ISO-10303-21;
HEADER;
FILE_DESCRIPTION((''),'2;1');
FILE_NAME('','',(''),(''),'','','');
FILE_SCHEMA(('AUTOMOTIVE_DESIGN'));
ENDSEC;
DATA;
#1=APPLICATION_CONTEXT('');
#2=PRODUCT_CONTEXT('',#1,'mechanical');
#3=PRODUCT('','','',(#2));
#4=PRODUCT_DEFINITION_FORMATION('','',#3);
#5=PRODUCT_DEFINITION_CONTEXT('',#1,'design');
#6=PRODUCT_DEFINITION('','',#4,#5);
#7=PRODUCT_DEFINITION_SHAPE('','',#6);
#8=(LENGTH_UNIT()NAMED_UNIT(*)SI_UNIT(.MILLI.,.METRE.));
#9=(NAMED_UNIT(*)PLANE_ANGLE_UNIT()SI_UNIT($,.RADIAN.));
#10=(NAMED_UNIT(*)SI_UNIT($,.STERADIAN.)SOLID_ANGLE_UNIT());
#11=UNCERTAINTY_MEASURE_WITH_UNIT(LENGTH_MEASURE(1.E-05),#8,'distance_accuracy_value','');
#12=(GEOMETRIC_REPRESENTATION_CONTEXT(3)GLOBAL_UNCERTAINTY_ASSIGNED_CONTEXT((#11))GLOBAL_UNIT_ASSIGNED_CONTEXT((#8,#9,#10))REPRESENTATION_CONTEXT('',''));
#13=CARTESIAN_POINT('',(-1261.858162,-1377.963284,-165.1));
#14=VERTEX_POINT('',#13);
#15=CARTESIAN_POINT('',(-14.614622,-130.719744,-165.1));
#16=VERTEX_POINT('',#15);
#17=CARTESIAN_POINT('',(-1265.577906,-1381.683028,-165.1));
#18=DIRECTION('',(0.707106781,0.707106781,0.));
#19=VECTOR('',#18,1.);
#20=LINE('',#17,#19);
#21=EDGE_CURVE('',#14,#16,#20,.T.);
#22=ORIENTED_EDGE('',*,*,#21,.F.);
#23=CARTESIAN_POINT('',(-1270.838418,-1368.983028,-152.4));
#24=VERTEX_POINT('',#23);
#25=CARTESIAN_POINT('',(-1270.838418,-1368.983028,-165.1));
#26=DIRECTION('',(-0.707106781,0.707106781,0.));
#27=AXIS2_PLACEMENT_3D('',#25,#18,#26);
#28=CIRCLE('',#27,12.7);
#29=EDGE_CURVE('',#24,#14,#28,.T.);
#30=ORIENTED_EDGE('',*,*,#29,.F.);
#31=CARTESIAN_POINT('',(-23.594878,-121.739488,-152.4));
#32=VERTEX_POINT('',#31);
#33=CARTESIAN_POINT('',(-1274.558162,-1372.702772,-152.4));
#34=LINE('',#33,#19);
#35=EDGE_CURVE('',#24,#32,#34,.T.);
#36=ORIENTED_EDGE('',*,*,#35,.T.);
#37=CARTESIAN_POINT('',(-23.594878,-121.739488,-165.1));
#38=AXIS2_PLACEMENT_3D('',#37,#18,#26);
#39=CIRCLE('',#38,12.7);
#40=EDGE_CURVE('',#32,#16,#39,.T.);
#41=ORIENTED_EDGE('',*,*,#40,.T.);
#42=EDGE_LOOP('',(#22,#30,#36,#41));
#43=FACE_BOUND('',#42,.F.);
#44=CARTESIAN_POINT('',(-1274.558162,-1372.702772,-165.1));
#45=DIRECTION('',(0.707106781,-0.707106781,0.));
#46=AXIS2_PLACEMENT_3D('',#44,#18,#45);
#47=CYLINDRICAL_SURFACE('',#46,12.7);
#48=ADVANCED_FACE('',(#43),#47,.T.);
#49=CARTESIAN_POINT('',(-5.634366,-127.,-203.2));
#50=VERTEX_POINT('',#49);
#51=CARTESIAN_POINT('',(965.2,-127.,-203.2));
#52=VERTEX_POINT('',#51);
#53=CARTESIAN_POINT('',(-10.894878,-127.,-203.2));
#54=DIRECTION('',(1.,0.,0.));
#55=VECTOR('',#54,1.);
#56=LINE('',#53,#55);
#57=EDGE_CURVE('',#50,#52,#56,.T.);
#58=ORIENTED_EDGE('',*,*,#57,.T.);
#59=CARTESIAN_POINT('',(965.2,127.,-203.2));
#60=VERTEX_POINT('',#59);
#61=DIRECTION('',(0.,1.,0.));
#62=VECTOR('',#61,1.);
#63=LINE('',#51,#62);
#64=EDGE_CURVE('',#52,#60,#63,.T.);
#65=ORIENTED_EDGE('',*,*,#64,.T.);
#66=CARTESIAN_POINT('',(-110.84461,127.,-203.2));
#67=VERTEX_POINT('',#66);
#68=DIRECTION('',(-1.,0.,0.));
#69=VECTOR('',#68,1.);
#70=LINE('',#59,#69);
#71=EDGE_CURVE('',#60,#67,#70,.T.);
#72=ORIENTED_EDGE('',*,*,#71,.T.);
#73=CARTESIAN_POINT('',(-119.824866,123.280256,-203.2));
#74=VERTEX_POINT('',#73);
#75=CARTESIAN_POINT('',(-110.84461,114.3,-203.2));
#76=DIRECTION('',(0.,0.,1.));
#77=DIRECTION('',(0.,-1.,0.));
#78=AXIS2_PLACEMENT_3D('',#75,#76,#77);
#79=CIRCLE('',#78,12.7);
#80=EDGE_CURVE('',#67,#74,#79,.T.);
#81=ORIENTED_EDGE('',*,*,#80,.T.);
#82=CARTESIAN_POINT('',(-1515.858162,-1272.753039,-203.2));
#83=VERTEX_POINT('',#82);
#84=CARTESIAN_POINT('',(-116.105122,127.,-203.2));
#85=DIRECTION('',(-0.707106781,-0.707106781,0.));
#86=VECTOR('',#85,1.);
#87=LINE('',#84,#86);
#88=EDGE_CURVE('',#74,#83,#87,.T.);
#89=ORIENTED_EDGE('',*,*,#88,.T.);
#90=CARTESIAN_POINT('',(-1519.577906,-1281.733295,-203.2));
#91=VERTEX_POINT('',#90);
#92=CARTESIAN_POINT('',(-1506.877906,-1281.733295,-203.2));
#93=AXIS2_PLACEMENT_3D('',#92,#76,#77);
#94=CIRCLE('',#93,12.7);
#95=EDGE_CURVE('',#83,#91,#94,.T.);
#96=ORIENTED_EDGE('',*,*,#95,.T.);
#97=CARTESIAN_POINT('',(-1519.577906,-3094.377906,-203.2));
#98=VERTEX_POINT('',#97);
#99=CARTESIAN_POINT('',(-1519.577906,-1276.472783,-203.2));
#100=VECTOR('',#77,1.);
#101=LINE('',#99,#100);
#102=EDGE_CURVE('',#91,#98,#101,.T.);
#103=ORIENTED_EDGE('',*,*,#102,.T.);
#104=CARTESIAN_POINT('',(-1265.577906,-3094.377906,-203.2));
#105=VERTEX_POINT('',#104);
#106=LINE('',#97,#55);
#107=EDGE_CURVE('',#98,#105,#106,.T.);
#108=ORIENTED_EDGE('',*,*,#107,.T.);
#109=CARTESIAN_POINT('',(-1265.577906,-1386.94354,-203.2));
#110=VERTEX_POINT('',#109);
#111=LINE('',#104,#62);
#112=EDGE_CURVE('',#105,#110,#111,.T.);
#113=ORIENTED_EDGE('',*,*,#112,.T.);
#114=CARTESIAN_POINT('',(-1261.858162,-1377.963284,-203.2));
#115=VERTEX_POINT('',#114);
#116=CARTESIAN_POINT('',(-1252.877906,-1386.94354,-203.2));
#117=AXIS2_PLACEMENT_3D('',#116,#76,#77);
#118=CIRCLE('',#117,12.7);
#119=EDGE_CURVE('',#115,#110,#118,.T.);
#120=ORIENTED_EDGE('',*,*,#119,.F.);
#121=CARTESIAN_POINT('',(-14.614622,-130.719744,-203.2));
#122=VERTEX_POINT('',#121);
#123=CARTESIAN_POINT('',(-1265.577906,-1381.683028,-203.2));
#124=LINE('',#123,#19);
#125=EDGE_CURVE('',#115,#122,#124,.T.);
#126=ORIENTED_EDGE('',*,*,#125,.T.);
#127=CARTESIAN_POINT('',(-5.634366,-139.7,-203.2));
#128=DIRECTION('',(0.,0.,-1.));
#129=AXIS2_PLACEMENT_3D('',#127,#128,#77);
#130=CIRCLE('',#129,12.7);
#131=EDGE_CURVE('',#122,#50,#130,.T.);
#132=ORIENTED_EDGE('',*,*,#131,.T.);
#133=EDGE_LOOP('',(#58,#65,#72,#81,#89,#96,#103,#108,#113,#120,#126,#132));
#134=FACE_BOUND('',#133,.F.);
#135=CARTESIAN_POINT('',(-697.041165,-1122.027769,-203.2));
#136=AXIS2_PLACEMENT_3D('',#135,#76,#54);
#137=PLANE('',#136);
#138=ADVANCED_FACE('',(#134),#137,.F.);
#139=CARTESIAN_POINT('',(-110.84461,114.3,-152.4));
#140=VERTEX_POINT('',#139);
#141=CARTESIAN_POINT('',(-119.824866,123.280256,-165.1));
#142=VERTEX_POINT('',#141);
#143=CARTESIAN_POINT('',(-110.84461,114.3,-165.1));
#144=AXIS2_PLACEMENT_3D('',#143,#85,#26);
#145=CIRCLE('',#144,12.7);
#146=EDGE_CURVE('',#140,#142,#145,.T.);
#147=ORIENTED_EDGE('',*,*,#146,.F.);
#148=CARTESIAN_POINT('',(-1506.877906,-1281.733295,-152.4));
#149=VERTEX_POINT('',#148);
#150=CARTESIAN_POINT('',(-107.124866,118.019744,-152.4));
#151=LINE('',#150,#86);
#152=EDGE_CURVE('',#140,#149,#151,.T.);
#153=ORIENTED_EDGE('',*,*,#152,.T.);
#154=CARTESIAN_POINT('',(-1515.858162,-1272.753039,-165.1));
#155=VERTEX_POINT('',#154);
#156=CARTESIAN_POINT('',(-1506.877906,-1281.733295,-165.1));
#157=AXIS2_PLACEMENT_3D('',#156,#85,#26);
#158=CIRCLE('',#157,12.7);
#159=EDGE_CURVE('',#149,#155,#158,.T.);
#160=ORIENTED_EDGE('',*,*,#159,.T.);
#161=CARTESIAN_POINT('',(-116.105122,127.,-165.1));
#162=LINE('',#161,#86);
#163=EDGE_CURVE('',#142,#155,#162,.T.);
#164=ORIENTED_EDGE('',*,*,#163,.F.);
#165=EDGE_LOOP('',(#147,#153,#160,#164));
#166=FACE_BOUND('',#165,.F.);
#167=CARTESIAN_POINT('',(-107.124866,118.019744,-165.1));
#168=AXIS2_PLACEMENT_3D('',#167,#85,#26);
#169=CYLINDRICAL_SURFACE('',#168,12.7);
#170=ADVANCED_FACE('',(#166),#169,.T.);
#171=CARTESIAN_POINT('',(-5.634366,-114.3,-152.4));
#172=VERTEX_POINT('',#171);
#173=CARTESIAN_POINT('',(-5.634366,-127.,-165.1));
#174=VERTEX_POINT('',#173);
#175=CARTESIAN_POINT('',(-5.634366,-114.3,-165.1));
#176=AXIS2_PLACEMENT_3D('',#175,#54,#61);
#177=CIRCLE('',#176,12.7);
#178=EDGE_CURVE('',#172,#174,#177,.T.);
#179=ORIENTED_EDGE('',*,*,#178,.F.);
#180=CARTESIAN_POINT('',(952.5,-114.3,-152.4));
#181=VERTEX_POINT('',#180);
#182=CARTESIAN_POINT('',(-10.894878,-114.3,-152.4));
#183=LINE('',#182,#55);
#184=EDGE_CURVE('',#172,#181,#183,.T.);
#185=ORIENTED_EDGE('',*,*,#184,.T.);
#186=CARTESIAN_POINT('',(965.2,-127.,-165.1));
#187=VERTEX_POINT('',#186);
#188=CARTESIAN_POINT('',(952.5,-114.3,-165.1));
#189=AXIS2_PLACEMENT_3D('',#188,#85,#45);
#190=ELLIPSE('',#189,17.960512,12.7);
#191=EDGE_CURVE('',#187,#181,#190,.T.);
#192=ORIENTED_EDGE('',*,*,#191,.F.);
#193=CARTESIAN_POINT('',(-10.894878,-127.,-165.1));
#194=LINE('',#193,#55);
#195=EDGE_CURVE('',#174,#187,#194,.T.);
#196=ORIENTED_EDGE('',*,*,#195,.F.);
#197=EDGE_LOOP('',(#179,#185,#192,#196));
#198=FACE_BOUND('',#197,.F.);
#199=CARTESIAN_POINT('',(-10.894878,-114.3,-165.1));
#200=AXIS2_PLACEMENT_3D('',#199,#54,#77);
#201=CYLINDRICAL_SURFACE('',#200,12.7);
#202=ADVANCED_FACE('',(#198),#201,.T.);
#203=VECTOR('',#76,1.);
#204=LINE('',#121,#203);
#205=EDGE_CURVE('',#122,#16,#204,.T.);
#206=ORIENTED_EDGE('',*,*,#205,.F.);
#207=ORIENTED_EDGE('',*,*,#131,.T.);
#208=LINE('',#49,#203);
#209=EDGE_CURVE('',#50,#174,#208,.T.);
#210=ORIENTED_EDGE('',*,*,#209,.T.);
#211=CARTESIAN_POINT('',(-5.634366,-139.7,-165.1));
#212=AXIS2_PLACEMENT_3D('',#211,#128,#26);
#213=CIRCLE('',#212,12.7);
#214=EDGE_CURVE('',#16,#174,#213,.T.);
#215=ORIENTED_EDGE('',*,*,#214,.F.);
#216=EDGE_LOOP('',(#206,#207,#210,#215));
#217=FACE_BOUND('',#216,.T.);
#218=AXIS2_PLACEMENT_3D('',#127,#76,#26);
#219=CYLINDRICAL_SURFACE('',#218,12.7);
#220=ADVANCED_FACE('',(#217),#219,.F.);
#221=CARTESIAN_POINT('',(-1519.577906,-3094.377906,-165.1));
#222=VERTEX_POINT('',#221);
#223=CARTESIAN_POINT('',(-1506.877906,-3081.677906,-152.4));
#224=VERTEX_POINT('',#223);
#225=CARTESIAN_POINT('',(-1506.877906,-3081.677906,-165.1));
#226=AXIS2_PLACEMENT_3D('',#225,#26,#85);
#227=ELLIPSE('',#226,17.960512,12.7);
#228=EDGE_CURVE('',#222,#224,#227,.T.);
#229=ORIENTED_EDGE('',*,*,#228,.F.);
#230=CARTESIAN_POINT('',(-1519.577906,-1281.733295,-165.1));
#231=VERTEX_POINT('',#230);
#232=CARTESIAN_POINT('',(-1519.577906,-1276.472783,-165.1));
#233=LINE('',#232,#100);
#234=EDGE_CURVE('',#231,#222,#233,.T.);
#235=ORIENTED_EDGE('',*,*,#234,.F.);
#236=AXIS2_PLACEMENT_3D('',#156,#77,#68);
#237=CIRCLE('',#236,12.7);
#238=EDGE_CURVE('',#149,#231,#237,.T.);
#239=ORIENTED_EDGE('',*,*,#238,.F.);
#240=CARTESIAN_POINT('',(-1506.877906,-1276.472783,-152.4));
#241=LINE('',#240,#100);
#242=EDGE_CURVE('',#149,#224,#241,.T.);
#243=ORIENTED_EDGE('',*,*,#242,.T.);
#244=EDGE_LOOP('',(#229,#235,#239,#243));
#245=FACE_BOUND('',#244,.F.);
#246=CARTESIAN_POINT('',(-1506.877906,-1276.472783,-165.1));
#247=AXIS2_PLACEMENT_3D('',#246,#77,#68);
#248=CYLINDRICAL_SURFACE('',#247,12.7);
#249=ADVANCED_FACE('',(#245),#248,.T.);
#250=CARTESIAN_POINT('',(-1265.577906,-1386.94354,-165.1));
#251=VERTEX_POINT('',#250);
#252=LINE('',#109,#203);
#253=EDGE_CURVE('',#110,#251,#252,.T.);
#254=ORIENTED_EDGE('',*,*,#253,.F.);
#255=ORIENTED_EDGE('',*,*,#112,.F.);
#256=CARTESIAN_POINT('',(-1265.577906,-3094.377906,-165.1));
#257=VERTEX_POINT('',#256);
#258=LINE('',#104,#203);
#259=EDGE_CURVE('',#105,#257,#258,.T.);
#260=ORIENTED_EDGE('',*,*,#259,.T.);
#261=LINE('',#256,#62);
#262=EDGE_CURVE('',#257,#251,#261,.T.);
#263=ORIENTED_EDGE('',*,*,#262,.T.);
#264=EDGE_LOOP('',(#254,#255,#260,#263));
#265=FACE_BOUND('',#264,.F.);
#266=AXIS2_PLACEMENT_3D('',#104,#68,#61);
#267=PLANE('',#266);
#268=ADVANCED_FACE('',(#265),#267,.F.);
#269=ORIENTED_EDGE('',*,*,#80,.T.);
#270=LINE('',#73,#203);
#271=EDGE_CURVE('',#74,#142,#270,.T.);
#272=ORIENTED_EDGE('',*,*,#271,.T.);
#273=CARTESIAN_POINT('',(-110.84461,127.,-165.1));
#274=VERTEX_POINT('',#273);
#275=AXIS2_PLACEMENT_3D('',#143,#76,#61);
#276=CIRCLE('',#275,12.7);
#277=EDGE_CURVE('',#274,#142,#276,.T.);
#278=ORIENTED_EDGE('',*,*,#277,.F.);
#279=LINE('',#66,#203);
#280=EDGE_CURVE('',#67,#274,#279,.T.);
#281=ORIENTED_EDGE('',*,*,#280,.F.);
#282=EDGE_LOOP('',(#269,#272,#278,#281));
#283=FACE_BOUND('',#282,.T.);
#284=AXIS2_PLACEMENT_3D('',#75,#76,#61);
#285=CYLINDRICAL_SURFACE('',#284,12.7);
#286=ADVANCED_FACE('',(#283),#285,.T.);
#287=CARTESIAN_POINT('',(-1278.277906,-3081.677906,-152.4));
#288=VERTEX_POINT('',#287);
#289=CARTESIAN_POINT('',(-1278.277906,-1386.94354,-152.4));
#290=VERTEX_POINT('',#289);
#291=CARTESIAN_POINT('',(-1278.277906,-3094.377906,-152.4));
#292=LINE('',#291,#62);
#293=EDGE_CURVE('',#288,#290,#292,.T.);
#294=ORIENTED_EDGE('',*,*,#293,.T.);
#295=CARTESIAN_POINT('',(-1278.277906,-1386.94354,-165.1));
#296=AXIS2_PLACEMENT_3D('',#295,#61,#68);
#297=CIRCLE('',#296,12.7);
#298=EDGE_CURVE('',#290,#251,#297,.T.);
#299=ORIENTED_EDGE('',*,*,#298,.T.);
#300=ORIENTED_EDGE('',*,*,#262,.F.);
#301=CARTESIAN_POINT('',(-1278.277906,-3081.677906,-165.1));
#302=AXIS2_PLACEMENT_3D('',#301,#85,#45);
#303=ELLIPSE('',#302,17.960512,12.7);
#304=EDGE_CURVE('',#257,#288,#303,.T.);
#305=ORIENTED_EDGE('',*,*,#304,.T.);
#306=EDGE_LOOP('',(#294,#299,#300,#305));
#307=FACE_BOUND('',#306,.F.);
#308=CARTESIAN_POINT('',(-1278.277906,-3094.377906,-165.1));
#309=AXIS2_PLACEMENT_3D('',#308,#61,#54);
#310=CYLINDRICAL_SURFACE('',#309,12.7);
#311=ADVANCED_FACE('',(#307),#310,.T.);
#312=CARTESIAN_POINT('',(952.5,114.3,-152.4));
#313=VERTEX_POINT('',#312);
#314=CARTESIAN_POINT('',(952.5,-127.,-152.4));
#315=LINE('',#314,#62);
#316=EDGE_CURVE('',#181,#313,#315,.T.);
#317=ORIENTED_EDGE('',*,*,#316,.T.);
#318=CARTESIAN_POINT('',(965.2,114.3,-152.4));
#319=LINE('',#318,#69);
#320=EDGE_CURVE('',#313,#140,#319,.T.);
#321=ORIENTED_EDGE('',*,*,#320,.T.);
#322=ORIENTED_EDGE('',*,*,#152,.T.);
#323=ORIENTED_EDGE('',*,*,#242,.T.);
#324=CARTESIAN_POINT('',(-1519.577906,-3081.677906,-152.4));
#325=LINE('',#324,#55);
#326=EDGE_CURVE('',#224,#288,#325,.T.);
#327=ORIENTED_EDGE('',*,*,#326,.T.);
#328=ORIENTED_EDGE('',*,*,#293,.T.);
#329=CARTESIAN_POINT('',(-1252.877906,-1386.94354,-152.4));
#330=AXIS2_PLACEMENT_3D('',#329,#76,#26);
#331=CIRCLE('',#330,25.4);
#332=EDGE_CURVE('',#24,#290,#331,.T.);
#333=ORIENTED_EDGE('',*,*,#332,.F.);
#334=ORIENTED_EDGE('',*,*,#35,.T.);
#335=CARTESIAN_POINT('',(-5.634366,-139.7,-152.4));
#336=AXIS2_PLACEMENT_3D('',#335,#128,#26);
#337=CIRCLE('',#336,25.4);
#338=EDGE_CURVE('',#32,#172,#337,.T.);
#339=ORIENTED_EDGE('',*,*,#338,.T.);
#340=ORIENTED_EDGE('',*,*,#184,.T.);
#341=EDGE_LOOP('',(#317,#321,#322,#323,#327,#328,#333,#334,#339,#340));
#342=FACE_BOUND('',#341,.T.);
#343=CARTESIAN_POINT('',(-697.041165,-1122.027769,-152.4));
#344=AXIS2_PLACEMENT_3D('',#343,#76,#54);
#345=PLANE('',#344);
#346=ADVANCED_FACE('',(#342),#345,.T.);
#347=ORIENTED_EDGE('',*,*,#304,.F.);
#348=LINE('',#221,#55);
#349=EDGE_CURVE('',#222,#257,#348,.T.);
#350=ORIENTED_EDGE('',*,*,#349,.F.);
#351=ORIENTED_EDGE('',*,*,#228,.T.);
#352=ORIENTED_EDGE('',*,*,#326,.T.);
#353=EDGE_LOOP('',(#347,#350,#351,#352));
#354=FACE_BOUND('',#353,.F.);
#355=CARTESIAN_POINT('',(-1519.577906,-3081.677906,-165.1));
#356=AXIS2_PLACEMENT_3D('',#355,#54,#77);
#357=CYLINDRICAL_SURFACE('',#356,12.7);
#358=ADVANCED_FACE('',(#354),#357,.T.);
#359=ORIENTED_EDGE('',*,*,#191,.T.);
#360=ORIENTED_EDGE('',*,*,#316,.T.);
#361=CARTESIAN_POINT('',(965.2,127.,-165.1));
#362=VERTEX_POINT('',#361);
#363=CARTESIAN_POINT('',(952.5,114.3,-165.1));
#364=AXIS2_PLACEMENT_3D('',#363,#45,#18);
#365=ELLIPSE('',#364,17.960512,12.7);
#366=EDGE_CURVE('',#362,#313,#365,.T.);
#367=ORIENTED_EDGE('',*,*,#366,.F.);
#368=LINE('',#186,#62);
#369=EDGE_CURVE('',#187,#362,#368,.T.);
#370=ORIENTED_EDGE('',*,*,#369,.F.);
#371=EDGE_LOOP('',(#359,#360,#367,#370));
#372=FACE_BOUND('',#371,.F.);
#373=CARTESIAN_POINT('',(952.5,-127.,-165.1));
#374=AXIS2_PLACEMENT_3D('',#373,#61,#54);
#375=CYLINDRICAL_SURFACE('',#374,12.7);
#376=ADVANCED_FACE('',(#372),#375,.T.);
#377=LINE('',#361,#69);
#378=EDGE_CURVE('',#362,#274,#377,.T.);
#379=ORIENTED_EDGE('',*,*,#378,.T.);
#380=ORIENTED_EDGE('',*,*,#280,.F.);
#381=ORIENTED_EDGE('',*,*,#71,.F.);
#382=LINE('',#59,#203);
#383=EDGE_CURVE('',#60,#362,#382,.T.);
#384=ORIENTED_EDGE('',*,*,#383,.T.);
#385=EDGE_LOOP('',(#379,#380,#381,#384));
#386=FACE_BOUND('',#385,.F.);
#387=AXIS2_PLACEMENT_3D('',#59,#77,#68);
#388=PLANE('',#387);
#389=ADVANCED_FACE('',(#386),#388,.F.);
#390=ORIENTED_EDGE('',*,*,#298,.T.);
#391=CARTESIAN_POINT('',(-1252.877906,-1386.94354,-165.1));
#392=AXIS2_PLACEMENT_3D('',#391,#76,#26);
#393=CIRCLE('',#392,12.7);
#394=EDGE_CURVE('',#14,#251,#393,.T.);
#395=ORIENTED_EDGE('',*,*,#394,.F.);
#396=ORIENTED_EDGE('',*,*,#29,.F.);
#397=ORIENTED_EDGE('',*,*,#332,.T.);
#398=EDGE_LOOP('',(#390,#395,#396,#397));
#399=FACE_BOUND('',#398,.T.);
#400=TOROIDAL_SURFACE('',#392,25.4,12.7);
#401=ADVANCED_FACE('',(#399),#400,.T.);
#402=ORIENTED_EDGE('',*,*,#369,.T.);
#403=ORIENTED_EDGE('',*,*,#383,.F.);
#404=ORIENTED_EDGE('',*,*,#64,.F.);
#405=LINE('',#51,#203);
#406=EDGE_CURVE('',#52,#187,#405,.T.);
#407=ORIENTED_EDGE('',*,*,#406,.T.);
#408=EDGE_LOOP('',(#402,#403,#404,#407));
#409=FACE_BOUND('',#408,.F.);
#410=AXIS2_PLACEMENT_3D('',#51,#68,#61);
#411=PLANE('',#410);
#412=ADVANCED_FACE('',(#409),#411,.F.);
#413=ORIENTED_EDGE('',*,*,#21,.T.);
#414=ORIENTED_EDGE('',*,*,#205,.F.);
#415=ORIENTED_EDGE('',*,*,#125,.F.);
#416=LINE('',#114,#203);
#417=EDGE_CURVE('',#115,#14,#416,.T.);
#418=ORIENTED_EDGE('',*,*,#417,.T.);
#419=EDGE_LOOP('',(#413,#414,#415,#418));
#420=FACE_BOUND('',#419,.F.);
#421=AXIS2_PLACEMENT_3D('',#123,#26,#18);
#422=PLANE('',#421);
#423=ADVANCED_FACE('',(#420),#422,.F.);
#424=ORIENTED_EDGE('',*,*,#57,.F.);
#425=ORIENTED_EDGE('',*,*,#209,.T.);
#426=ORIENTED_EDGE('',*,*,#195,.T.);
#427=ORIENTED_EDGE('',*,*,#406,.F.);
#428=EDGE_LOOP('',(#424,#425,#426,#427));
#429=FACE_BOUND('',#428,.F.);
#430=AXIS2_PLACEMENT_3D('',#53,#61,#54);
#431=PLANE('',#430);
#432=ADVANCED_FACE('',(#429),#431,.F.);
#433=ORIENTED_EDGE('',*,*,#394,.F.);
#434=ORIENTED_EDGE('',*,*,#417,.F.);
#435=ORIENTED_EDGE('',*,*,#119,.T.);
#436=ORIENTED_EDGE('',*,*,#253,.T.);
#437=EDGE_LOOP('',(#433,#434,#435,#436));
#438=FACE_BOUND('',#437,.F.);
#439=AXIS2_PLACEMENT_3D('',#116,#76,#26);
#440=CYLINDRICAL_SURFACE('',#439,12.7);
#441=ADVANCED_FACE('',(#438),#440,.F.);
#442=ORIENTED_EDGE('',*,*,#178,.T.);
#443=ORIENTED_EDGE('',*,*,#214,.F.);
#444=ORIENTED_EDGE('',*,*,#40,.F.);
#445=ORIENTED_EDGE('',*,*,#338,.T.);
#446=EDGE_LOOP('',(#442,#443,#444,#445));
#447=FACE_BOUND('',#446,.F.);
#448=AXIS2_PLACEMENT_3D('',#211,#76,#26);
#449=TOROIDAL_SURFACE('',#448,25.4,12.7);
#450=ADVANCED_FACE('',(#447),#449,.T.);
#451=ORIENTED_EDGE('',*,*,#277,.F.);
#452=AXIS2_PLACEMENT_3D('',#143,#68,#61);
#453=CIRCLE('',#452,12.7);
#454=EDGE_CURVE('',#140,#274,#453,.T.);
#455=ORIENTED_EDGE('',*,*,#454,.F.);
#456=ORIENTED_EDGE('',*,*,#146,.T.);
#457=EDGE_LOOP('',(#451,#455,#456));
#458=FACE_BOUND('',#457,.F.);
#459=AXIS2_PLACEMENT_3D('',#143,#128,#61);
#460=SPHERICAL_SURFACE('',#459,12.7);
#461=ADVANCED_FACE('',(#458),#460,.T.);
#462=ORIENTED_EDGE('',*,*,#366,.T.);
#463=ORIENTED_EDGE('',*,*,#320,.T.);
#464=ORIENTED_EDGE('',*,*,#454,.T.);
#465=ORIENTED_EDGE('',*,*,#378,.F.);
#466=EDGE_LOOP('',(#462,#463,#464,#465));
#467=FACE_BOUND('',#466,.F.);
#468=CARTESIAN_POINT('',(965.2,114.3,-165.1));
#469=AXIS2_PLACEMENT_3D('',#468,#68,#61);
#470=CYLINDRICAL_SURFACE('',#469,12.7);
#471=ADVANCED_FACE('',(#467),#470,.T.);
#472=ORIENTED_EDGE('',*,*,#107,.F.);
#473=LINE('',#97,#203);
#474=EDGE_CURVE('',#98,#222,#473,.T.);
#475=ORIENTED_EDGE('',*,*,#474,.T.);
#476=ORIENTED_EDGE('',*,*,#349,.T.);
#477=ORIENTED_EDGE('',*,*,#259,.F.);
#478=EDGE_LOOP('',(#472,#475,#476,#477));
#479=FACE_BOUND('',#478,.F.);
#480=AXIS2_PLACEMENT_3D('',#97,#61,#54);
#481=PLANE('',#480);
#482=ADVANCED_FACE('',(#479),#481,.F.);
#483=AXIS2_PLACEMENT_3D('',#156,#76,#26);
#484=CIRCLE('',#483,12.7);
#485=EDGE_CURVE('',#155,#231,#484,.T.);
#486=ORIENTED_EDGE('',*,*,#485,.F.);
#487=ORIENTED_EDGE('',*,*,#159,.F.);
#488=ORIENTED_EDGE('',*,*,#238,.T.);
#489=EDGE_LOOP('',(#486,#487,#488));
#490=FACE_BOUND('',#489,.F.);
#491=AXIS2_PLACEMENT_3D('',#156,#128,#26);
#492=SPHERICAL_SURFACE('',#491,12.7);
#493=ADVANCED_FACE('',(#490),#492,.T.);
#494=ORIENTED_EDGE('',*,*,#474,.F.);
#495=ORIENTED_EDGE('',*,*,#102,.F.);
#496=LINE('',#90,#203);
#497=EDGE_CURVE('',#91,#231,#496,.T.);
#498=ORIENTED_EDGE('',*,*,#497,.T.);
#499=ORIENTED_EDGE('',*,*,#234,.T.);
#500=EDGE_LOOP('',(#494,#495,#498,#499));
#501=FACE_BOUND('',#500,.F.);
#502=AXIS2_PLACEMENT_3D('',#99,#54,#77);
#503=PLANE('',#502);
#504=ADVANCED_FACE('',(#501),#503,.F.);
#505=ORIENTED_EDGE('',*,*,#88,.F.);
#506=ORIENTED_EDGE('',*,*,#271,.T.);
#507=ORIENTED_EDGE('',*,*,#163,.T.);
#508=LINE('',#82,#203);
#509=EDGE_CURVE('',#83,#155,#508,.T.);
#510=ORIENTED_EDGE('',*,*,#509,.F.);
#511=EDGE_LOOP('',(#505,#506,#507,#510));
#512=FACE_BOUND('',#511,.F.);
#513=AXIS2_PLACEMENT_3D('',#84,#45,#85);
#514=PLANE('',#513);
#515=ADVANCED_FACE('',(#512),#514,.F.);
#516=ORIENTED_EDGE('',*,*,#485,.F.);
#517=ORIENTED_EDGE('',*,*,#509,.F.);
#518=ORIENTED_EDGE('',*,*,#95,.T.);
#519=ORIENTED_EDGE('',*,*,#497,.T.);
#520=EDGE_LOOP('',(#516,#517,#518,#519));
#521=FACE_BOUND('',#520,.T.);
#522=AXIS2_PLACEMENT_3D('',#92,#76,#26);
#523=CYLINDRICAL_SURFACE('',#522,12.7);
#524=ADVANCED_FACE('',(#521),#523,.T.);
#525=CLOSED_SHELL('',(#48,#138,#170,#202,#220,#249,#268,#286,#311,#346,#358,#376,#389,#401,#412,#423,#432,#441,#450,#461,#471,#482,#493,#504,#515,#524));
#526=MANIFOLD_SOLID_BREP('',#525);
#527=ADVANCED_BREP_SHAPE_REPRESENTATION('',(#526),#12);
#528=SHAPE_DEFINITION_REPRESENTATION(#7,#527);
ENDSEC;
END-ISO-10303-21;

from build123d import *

# Parameters (mm, degrees)
F1_DEPTH = 50.8
F2_R     = 12.7


with BuildPart() as f1:
    # F0 (on Top) → F1 (new body)
    with BuildSketch(Plane.XY):
        Polygon((-1202.077906, -1381.683028), (52.605122, -127), (1028.7, -127), (1028.7, 127), (0, 127), (-52.605122, 127), (-1456.077906, -1276.472783), (-1456.077906, -1329.077906), (-1456.077906, -3094.377906), (-1202.077906, -3094.377906), align=None)
    extrude(amount=F1_DEPTH)

    # F2
    f2_edges = [f1.edges().sort_by_distance(p)[0] for p in [
        (-574.736392, -754.341514, 50.8),
        (540.652561, -127, 50.8),
        (1028.7, 0, 50.8),
        (488.047439, 127, 50.8),
        (-754.341514, -574.736392, 50.8),
        (-1456.077906, -2185.425345, 50.8),
        (-1329.077906, -3094.377906, 50.8),
        (-1202.077906, -2238.030467, 50.8),
        (-1456.077906, -1276.472783, 25.4),
        (-52.605122, 127, 25.4),
        (52.605122, -127, 25.4),
        (-1202.077906, -1381.683028, 25.4),
    ]]
    fillet(f2_edges, radius=F2_R)


with BuildPart() as f1_1:
    # F3: moved
    add(f1.part.moved(Location((-63.5, 0, -203.2))))


solid = f1_1.part
